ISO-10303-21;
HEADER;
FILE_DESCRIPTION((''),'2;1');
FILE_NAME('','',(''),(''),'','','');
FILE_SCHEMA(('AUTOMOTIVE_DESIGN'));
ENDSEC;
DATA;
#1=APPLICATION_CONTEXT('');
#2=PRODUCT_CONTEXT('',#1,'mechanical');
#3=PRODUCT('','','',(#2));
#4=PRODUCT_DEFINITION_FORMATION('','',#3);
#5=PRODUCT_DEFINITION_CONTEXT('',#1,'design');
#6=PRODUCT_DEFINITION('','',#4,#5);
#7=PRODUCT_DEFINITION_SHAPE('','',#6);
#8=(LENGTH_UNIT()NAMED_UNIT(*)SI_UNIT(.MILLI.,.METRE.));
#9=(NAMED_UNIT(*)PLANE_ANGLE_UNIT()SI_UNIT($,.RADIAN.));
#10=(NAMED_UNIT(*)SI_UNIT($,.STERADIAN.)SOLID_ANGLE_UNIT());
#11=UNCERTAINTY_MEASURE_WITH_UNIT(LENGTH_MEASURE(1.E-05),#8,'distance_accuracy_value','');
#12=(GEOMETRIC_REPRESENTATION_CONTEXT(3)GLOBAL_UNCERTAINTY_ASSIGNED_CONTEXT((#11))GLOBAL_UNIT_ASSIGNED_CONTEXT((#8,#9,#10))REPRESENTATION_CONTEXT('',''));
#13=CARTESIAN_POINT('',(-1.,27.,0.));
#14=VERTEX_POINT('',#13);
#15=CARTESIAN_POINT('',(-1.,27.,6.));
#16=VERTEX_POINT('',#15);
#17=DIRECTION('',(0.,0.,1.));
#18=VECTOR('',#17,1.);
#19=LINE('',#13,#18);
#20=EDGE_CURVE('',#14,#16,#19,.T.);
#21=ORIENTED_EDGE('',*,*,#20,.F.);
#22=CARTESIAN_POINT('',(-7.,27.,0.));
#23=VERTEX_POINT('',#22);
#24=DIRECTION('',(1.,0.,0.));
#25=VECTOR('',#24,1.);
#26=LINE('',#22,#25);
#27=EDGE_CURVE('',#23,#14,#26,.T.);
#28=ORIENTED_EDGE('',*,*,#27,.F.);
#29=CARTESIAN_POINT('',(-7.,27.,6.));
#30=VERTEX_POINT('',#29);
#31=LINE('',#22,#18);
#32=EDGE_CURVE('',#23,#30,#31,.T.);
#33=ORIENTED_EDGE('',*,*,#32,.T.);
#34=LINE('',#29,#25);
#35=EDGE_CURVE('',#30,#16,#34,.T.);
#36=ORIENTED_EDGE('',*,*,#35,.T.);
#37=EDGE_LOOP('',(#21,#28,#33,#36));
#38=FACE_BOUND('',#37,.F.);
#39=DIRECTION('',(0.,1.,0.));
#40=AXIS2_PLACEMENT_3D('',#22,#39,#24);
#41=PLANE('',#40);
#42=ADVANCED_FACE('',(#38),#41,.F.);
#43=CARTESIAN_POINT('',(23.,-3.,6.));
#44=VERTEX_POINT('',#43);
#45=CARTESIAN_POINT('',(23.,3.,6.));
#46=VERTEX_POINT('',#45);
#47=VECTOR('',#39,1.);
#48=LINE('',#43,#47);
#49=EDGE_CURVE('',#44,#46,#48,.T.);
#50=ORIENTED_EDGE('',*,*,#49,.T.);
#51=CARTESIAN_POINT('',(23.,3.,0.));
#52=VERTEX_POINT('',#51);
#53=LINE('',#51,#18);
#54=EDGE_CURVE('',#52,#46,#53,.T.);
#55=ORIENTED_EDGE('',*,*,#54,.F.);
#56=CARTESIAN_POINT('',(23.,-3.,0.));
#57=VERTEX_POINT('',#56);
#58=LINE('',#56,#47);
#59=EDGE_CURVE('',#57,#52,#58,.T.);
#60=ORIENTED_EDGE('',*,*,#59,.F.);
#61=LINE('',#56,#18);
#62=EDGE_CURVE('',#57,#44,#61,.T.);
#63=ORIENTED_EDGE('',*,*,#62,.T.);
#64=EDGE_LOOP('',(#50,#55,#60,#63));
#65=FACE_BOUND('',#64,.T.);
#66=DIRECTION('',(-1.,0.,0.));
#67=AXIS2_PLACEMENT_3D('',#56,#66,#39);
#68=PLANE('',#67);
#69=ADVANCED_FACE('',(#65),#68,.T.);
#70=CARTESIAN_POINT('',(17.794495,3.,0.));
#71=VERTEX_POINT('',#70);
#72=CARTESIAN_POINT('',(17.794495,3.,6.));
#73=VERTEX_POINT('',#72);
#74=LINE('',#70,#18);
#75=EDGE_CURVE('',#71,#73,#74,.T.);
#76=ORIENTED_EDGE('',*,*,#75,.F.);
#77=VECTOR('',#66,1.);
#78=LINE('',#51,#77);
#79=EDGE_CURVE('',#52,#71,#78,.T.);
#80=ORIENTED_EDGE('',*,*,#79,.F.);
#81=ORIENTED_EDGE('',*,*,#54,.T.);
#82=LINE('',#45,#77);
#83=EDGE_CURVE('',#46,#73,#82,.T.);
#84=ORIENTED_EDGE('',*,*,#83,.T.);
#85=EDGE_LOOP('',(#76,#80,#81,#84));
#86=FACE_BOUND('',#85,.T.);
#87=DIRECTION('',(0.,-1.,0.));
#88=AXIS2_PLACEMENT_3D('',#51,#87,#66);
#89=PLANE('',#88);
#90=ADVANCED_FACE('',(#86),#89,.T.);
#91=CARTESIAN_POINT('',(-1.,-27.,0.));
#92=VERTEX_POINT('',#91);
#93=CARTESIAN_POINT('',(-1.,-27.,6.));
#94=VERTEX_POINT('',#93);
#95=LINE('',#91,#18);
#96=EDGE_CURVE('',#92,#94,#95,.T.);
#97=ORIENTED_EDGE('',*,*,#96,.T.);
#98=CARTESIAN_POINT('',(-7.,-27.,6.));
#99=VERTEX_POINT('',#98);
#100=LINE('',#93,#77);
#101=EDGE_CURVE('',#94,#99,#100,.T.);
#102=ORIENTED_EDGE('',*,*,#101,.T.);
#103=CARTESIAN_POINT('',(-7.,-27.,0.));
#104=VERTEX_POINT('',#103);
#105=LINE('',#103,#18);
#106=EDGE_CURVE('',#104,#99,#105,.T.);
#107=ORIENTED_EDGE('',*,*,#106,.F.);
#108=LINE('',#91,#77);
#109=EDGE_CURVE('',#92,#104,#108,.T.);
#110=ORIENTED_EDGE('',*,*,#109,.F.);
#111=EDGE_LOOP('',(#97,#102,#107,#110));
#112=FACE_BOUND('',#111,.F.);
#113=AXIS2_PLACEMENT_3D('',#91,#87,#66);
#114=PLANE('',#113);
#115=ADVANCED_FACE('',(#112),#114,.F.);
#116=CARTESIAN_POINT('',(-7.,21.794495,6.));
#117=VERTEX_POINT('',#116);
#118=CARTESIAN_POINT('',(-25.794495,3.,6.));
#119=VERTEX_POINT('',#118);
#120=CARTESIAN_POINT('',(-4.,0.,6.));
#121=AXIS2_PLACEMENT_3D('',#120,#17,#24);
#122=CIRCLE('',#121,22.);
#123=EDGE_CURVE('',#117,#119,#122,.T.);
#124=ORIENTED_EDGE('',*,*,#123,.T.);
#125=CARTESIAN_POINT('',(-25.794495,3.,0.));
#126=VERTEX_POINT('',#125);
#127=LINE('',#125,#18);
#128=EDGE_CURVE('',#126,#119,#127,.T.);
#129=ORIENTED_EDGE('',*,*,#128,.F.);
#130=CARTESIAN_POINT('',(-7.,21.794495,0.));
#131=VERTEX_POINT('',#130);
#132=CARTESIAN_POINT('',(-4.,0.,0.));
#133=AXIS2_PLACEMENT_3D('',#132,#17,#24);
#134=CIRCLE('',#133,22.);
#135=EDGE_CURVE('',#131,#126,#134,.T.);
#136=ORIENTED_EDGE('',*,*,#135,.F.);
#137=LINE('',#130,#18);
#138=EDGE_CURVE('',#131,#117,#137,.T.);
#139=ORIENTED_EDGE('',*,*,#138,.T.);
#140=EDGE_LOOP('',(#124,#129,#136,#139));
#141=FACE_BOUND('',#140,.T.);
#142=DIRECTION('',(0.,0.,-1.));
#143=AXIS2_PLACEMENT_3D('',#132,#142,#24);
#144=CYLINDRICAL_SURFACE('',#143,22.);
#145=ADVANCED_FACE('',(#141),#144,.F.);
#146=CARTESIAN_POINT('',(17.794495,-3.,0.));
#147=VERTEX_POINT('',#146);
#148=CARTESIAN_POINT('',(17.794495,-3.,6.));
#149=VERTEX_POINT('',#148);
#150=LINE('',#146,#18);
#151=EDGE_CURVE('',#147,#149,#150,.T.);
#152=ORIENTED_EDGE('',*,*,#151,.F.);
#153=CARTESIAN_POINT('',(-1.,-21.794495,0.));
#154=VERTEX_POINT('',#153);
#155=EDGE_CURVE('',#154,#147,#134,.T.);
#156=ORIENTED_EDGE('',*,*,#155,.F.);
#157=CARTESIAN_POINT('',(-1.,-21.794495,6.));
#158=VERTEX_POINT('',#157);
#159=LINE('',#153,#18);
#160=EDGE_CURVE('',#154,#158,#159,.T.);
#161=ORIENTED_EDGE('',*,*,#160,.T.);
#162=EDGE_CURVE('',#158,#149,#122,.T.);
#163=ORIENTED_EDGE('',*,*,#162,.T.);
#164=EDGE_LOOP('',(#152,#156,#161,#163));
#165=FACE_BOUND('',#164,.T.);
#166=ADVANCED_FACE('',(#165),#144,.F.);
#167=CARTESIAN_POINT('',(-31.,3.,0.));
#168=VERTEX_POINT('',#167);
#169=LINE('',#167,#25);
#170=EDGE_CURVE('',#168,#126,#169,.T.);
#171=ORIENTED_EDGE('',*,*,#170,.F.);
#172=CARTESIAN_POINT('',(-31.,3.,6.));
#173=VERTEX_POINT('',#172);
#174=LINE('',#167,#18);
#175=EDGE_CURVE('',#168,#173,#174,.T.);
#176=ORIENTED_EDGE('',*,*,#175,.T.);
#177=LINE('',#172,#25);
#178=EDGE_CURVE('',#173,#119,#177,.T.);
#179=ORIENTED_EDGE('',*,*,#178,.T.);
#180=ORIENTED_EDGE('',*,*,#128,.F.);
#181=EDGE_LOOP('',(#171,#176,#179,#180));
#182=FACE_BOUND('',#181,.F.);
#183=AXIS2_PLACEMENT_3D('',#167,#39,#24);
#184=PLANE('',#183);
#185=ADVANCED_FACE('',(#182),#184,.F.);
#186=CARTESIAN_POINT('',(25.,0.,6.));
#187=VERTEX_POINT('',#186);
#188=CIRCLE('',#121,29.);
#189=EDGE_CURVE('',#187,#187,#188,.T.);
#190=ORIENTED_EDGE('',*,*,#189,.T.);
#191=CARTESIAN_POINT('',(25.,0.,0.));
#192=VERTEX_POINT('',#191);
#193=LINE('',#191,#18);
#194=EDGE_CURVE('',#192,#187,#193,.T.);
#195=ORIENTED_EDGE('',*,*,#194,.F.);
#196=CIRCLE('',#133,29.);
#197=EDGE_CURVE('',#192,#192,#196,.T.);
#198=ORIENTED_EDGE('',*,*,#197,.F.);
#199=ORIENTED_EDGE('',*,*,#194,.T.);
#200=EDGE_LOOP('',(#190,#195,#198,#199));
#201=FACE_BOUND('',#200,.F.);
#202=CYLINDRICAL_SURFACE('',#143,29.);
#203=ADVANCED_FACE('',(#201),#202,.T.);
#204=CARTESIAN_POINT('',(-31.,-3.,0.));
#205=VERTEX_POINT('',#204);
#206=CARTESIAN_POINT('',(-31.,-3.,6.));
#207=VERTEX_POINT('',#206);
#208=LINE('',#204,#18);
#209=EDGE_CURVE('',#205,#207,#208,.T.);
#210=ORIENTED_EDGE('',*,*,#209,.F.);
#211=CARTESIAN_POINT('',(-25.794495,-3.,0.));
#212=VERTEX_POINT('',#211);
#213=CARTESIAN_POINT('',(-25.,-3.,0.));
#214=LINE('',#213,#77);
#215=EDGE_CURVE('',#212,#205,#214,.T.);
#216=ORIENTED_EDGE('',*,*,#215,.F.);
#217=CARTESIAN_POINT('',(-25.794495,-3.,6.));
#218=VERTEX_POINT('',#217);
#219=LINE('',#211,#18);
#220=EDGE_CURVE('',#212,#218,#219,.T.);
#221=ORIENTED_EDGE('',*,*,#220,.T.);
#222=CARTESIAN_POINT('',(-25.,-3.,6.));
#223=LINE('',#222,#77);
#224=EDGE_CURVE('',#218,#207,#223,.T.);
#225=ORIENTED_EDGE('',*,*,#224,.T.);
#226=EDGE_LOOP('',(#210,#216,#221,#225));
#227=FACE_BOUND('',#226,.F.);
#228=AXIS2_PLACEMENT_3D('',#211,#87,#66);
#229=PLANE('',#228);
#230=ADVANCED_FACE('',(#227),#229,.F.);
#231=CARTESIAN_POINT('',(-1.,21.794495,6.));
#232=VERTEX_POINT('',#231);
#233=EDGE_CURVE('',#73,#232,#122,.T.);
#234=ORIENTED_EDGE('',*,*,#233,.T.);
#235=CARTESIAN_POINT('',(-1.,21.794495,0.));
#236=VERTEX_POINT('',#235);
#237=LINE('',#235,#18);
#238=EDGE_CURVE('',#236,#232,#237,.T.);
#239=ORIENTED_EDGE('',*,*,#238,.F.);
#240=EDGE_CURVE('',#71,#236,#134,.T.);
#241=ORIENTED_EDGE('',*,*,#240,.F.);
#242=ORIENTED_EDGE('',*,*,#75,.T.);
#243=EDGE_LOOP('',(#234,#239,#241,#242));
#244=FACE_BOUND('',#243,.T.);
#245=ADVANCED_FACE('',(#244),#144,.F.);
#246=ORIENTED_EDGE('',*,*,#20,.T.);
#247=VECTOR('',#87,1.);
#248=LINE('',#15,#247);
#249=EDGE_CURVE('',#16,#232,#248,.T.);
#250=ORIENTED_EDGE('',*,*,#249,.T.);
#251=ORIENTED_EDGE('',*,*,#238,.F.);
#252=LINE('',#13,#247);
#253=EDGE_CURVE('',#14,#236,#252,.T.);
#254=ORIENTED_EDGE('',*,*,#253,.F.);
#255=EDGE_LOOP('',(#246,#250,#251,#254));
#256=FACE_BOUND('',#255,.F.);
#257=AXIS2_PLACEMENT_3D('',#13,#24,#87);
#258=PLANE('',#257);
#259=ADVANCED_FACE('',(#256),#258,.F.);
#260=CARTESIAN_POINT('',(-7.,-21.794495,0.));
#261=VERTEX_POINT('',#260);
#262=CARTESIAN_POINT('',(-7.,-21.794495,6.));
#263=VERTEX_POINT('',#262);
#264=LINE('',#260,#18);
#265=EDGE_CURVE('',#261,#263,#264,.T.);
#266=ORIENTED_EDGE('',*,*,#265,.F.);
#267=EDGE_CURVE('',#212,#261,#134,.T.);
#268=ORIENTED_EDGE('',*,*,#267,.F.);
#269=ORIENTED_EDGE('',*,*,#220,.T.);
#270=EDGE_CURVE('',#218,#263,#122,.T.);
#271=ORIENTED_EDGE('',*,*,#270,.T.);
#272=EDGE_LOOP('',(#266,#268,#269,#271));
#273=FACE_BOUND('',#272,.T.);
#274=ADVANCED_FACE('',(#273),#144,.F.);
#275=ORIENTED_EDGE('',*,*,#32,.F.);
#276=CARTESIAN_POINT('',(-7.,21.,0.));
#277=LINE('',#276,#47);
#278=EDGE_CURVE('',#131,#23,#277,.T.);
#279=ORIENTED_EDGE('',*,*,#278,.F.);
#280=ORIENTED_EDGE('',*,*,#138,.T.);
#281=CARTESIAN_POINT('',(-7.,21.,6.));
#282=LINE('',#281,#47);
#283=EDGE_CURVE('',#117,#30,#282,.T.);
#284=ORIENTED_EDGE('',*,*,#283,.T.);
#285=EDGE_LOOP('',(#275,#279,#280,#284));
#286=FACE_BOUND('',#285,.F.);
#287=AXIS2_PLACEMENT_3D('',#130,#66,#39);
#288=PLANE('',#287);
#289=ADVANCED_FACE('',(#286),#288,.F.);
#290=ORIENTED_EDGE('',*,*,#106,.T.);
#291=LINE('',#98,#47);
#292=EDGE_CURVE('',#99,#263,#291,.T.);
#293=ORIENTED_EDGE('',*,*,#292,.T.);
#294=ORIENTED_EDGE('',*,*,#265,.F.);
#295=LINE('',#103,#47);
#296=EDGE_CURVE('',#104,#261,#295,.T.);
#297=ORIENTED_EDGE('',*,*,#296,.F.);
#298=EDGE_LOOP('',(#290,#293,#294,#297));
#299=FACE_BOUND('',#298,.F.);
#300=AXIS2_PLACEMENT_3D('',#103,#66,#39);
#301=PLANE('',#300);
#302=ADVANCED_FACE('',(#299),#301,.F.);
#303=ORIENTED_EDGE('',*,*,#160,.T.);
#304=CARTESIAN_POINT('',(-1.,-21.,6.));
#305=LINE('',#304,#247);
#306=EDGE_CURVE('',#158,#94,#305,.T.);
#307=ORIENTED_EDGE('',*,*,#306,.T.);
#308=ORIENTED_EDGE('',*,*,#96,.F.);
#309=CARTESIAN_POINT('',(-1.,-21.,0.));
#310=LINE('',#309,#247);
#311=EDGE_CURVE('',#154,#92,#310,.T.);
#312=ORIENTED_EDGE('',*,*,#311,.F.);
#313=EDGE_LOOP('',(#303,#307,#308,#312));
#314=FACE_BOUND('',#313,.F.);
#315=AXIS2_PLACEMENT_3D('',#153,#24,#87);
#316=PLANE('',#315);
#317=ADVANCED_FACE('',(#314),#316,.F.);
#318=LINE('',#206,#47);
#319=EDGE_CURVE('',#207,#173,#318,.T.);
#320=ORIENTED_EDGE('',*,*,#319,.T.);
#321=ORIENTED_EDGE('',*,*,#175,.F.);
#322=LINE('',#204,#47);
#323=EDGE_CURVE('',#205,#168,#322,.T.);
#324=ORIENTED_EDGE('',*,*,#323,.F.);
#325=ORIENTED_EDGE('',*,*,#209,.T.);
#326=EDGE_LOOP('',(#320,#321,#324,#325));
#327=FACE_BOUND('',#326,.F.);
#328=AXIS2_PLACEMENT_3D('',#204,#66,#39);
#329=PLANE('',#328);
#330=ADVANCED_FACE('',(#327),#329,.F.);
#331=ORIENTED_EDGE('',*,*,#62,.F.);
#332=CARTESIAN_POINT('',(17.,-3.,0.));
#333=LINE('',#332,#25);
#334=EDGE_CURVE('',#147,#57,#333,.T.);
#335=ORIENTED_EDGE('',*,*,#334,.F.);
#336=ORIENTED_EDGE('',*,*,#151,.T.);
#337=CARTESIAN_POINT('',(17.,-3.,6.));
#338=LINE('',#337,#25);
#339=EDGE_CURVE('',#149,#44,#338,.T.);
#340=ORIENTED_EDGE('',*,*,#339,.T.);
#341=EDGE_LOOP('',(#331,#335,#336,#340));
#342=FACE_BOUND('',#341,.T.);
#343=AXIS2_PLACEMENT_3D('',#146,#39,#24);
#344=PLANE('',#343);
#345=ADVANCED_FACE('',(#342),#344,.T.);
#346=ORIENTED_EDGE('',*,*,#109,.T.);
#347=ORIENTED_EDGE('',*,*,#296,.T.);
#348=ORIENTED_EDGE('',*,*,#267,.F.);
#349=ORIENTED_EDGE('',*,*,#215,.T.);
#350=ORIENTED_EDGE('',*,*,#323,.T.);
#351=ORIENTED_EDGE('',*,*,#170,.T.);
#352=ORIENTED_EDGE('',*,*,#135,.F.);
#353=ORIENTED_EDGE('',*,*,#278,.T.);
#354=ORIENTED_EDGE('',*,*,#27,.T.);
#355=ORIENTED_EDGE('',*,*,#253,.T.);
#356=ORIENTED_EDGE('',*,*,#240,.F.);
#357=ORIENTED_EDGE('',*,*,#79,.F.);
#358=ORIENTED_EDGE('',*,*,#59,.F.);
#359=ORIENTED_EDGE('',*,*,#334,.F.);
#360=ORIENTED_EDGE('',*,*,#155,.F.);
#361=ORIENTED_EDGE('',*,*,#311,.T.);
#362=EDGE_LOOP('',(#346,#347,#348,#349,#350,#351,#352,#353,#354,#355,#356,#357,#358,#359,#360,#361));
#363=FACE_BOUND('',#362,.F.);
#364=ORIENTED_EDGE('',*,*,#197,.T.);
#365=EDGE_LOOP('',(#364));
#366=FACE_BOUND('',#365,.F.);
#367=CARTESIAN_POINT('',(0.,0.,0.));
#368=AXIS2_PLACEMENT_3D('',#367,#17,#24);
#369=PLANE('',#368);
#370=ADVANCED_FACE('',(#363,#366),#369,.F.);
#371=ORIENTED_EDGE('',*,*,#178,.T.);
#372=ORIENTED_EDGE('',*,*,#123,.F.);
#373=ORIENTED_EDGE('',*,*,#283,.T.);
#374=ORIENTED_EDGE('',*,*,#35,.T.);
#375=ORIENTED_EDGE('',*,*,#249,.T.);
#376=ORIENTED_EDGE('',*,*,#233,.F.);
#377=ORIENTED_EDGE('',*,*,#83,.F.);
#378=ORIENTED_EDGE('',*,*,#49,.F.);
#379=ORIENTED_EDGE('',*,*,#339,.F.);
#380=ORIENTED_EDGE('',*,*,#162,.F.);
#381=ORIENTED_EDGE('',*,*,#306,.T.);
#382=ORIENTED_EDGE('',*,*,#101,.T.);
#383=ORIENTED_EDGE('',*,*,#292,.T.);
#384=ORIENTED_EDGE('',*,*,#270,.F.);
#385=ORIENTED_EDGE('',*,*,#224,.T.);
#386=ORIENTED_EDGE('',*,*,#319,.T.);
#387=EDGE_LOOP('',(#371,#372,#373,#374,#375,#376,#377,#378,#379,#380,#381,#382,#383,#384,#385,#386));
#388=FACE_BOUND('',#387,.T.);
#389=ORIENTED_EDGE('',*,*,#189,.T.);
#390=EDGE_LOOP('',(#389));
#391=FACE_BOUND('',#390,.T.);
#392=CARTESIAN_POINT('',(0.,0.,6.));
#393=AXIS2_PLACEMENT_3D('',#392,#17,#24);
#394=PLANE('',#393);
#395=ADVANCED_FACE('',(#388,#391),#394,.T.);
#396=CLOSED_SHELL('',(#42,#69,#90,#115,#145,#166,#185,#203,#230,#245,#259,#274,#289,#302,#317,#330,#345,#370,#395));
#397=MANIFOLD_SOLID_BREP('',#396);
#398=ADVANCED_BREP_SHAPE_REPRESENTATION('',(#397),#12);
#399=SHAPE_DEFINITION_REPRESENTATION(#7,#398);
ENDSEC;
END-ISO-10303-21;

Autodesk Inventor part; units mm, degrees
ref_plane "YZ Plane" through (0, 0, 0) normal (1, 0, 0) x (0, 1, 0)
ref_plane "XZ Plane" through (0, 0, 0) normal (0, 1, 0) x (-1, 0, 0)
ref_plane "XY Plane" through (0, 0, 0) normal (0, 0, 1) x (1, 0, 0)
sketch "Sketch1" plane through (0, 0, 0) normal (0, 0, 1) x (1, 0, 0)
  line L0 (-25, -3) -> (-25, 3)
  line L1 (17, -3) -> (17, 3)
  line L2 (-25, -3) -> (-31, -3)
  line L3 (-31, -3) -> (-31, 3)
  line L4 (-31, 3) -> (-25, 3)
  line L5 (-25, 3) -> (-25, -3)
  line L6 (17, -3) -> (23, -3)
  line L7 (23, -3) -> (23, 3)
  line L8 (23, 3) -> (17, 3)
  line L9 (17, 3) -> (17, -3)
  circle A0 centre (-4, 0) radius 29
  line L10 (-1, -21) -> (-1, -27)
  line L11 (-1, -27) -> (-7, -27)
  line L12 (-7, -27) -> (-7, -21)
  line L13 (-7, -21) -> (-1, -21)
  line L14 (17, 3) -> (23, 3)
  line L15 (23, 3) -> (23, -3)
  line L16 (23, -3) -> (17, -3)
  line L17 (17, -3) -> (17, 3)
  line L18 (-7, 21) -> (-7, 27)
  line L19 (-7, 27) -> (-1, 27)
  line L20 (-1, 27) -> (-1, 21)
  line L21 (-1, 21) -> (-7, 21)
  circle A1 centre (-4, 0) radius 22
  line L22 (-4, 0) -> (17, 0)
  point P0 (-7, -21)
  point P1 (-1, 21)
  dimension "d10" = 6
  dimension "d12" = 6
  dimension "d21" = 360
  dimension "d25" = 44
  dimension "d29" = 21
  dimension "d30" = 21
extrude "Extrusion1" add sketch "Sketch1" along normal blind 6
